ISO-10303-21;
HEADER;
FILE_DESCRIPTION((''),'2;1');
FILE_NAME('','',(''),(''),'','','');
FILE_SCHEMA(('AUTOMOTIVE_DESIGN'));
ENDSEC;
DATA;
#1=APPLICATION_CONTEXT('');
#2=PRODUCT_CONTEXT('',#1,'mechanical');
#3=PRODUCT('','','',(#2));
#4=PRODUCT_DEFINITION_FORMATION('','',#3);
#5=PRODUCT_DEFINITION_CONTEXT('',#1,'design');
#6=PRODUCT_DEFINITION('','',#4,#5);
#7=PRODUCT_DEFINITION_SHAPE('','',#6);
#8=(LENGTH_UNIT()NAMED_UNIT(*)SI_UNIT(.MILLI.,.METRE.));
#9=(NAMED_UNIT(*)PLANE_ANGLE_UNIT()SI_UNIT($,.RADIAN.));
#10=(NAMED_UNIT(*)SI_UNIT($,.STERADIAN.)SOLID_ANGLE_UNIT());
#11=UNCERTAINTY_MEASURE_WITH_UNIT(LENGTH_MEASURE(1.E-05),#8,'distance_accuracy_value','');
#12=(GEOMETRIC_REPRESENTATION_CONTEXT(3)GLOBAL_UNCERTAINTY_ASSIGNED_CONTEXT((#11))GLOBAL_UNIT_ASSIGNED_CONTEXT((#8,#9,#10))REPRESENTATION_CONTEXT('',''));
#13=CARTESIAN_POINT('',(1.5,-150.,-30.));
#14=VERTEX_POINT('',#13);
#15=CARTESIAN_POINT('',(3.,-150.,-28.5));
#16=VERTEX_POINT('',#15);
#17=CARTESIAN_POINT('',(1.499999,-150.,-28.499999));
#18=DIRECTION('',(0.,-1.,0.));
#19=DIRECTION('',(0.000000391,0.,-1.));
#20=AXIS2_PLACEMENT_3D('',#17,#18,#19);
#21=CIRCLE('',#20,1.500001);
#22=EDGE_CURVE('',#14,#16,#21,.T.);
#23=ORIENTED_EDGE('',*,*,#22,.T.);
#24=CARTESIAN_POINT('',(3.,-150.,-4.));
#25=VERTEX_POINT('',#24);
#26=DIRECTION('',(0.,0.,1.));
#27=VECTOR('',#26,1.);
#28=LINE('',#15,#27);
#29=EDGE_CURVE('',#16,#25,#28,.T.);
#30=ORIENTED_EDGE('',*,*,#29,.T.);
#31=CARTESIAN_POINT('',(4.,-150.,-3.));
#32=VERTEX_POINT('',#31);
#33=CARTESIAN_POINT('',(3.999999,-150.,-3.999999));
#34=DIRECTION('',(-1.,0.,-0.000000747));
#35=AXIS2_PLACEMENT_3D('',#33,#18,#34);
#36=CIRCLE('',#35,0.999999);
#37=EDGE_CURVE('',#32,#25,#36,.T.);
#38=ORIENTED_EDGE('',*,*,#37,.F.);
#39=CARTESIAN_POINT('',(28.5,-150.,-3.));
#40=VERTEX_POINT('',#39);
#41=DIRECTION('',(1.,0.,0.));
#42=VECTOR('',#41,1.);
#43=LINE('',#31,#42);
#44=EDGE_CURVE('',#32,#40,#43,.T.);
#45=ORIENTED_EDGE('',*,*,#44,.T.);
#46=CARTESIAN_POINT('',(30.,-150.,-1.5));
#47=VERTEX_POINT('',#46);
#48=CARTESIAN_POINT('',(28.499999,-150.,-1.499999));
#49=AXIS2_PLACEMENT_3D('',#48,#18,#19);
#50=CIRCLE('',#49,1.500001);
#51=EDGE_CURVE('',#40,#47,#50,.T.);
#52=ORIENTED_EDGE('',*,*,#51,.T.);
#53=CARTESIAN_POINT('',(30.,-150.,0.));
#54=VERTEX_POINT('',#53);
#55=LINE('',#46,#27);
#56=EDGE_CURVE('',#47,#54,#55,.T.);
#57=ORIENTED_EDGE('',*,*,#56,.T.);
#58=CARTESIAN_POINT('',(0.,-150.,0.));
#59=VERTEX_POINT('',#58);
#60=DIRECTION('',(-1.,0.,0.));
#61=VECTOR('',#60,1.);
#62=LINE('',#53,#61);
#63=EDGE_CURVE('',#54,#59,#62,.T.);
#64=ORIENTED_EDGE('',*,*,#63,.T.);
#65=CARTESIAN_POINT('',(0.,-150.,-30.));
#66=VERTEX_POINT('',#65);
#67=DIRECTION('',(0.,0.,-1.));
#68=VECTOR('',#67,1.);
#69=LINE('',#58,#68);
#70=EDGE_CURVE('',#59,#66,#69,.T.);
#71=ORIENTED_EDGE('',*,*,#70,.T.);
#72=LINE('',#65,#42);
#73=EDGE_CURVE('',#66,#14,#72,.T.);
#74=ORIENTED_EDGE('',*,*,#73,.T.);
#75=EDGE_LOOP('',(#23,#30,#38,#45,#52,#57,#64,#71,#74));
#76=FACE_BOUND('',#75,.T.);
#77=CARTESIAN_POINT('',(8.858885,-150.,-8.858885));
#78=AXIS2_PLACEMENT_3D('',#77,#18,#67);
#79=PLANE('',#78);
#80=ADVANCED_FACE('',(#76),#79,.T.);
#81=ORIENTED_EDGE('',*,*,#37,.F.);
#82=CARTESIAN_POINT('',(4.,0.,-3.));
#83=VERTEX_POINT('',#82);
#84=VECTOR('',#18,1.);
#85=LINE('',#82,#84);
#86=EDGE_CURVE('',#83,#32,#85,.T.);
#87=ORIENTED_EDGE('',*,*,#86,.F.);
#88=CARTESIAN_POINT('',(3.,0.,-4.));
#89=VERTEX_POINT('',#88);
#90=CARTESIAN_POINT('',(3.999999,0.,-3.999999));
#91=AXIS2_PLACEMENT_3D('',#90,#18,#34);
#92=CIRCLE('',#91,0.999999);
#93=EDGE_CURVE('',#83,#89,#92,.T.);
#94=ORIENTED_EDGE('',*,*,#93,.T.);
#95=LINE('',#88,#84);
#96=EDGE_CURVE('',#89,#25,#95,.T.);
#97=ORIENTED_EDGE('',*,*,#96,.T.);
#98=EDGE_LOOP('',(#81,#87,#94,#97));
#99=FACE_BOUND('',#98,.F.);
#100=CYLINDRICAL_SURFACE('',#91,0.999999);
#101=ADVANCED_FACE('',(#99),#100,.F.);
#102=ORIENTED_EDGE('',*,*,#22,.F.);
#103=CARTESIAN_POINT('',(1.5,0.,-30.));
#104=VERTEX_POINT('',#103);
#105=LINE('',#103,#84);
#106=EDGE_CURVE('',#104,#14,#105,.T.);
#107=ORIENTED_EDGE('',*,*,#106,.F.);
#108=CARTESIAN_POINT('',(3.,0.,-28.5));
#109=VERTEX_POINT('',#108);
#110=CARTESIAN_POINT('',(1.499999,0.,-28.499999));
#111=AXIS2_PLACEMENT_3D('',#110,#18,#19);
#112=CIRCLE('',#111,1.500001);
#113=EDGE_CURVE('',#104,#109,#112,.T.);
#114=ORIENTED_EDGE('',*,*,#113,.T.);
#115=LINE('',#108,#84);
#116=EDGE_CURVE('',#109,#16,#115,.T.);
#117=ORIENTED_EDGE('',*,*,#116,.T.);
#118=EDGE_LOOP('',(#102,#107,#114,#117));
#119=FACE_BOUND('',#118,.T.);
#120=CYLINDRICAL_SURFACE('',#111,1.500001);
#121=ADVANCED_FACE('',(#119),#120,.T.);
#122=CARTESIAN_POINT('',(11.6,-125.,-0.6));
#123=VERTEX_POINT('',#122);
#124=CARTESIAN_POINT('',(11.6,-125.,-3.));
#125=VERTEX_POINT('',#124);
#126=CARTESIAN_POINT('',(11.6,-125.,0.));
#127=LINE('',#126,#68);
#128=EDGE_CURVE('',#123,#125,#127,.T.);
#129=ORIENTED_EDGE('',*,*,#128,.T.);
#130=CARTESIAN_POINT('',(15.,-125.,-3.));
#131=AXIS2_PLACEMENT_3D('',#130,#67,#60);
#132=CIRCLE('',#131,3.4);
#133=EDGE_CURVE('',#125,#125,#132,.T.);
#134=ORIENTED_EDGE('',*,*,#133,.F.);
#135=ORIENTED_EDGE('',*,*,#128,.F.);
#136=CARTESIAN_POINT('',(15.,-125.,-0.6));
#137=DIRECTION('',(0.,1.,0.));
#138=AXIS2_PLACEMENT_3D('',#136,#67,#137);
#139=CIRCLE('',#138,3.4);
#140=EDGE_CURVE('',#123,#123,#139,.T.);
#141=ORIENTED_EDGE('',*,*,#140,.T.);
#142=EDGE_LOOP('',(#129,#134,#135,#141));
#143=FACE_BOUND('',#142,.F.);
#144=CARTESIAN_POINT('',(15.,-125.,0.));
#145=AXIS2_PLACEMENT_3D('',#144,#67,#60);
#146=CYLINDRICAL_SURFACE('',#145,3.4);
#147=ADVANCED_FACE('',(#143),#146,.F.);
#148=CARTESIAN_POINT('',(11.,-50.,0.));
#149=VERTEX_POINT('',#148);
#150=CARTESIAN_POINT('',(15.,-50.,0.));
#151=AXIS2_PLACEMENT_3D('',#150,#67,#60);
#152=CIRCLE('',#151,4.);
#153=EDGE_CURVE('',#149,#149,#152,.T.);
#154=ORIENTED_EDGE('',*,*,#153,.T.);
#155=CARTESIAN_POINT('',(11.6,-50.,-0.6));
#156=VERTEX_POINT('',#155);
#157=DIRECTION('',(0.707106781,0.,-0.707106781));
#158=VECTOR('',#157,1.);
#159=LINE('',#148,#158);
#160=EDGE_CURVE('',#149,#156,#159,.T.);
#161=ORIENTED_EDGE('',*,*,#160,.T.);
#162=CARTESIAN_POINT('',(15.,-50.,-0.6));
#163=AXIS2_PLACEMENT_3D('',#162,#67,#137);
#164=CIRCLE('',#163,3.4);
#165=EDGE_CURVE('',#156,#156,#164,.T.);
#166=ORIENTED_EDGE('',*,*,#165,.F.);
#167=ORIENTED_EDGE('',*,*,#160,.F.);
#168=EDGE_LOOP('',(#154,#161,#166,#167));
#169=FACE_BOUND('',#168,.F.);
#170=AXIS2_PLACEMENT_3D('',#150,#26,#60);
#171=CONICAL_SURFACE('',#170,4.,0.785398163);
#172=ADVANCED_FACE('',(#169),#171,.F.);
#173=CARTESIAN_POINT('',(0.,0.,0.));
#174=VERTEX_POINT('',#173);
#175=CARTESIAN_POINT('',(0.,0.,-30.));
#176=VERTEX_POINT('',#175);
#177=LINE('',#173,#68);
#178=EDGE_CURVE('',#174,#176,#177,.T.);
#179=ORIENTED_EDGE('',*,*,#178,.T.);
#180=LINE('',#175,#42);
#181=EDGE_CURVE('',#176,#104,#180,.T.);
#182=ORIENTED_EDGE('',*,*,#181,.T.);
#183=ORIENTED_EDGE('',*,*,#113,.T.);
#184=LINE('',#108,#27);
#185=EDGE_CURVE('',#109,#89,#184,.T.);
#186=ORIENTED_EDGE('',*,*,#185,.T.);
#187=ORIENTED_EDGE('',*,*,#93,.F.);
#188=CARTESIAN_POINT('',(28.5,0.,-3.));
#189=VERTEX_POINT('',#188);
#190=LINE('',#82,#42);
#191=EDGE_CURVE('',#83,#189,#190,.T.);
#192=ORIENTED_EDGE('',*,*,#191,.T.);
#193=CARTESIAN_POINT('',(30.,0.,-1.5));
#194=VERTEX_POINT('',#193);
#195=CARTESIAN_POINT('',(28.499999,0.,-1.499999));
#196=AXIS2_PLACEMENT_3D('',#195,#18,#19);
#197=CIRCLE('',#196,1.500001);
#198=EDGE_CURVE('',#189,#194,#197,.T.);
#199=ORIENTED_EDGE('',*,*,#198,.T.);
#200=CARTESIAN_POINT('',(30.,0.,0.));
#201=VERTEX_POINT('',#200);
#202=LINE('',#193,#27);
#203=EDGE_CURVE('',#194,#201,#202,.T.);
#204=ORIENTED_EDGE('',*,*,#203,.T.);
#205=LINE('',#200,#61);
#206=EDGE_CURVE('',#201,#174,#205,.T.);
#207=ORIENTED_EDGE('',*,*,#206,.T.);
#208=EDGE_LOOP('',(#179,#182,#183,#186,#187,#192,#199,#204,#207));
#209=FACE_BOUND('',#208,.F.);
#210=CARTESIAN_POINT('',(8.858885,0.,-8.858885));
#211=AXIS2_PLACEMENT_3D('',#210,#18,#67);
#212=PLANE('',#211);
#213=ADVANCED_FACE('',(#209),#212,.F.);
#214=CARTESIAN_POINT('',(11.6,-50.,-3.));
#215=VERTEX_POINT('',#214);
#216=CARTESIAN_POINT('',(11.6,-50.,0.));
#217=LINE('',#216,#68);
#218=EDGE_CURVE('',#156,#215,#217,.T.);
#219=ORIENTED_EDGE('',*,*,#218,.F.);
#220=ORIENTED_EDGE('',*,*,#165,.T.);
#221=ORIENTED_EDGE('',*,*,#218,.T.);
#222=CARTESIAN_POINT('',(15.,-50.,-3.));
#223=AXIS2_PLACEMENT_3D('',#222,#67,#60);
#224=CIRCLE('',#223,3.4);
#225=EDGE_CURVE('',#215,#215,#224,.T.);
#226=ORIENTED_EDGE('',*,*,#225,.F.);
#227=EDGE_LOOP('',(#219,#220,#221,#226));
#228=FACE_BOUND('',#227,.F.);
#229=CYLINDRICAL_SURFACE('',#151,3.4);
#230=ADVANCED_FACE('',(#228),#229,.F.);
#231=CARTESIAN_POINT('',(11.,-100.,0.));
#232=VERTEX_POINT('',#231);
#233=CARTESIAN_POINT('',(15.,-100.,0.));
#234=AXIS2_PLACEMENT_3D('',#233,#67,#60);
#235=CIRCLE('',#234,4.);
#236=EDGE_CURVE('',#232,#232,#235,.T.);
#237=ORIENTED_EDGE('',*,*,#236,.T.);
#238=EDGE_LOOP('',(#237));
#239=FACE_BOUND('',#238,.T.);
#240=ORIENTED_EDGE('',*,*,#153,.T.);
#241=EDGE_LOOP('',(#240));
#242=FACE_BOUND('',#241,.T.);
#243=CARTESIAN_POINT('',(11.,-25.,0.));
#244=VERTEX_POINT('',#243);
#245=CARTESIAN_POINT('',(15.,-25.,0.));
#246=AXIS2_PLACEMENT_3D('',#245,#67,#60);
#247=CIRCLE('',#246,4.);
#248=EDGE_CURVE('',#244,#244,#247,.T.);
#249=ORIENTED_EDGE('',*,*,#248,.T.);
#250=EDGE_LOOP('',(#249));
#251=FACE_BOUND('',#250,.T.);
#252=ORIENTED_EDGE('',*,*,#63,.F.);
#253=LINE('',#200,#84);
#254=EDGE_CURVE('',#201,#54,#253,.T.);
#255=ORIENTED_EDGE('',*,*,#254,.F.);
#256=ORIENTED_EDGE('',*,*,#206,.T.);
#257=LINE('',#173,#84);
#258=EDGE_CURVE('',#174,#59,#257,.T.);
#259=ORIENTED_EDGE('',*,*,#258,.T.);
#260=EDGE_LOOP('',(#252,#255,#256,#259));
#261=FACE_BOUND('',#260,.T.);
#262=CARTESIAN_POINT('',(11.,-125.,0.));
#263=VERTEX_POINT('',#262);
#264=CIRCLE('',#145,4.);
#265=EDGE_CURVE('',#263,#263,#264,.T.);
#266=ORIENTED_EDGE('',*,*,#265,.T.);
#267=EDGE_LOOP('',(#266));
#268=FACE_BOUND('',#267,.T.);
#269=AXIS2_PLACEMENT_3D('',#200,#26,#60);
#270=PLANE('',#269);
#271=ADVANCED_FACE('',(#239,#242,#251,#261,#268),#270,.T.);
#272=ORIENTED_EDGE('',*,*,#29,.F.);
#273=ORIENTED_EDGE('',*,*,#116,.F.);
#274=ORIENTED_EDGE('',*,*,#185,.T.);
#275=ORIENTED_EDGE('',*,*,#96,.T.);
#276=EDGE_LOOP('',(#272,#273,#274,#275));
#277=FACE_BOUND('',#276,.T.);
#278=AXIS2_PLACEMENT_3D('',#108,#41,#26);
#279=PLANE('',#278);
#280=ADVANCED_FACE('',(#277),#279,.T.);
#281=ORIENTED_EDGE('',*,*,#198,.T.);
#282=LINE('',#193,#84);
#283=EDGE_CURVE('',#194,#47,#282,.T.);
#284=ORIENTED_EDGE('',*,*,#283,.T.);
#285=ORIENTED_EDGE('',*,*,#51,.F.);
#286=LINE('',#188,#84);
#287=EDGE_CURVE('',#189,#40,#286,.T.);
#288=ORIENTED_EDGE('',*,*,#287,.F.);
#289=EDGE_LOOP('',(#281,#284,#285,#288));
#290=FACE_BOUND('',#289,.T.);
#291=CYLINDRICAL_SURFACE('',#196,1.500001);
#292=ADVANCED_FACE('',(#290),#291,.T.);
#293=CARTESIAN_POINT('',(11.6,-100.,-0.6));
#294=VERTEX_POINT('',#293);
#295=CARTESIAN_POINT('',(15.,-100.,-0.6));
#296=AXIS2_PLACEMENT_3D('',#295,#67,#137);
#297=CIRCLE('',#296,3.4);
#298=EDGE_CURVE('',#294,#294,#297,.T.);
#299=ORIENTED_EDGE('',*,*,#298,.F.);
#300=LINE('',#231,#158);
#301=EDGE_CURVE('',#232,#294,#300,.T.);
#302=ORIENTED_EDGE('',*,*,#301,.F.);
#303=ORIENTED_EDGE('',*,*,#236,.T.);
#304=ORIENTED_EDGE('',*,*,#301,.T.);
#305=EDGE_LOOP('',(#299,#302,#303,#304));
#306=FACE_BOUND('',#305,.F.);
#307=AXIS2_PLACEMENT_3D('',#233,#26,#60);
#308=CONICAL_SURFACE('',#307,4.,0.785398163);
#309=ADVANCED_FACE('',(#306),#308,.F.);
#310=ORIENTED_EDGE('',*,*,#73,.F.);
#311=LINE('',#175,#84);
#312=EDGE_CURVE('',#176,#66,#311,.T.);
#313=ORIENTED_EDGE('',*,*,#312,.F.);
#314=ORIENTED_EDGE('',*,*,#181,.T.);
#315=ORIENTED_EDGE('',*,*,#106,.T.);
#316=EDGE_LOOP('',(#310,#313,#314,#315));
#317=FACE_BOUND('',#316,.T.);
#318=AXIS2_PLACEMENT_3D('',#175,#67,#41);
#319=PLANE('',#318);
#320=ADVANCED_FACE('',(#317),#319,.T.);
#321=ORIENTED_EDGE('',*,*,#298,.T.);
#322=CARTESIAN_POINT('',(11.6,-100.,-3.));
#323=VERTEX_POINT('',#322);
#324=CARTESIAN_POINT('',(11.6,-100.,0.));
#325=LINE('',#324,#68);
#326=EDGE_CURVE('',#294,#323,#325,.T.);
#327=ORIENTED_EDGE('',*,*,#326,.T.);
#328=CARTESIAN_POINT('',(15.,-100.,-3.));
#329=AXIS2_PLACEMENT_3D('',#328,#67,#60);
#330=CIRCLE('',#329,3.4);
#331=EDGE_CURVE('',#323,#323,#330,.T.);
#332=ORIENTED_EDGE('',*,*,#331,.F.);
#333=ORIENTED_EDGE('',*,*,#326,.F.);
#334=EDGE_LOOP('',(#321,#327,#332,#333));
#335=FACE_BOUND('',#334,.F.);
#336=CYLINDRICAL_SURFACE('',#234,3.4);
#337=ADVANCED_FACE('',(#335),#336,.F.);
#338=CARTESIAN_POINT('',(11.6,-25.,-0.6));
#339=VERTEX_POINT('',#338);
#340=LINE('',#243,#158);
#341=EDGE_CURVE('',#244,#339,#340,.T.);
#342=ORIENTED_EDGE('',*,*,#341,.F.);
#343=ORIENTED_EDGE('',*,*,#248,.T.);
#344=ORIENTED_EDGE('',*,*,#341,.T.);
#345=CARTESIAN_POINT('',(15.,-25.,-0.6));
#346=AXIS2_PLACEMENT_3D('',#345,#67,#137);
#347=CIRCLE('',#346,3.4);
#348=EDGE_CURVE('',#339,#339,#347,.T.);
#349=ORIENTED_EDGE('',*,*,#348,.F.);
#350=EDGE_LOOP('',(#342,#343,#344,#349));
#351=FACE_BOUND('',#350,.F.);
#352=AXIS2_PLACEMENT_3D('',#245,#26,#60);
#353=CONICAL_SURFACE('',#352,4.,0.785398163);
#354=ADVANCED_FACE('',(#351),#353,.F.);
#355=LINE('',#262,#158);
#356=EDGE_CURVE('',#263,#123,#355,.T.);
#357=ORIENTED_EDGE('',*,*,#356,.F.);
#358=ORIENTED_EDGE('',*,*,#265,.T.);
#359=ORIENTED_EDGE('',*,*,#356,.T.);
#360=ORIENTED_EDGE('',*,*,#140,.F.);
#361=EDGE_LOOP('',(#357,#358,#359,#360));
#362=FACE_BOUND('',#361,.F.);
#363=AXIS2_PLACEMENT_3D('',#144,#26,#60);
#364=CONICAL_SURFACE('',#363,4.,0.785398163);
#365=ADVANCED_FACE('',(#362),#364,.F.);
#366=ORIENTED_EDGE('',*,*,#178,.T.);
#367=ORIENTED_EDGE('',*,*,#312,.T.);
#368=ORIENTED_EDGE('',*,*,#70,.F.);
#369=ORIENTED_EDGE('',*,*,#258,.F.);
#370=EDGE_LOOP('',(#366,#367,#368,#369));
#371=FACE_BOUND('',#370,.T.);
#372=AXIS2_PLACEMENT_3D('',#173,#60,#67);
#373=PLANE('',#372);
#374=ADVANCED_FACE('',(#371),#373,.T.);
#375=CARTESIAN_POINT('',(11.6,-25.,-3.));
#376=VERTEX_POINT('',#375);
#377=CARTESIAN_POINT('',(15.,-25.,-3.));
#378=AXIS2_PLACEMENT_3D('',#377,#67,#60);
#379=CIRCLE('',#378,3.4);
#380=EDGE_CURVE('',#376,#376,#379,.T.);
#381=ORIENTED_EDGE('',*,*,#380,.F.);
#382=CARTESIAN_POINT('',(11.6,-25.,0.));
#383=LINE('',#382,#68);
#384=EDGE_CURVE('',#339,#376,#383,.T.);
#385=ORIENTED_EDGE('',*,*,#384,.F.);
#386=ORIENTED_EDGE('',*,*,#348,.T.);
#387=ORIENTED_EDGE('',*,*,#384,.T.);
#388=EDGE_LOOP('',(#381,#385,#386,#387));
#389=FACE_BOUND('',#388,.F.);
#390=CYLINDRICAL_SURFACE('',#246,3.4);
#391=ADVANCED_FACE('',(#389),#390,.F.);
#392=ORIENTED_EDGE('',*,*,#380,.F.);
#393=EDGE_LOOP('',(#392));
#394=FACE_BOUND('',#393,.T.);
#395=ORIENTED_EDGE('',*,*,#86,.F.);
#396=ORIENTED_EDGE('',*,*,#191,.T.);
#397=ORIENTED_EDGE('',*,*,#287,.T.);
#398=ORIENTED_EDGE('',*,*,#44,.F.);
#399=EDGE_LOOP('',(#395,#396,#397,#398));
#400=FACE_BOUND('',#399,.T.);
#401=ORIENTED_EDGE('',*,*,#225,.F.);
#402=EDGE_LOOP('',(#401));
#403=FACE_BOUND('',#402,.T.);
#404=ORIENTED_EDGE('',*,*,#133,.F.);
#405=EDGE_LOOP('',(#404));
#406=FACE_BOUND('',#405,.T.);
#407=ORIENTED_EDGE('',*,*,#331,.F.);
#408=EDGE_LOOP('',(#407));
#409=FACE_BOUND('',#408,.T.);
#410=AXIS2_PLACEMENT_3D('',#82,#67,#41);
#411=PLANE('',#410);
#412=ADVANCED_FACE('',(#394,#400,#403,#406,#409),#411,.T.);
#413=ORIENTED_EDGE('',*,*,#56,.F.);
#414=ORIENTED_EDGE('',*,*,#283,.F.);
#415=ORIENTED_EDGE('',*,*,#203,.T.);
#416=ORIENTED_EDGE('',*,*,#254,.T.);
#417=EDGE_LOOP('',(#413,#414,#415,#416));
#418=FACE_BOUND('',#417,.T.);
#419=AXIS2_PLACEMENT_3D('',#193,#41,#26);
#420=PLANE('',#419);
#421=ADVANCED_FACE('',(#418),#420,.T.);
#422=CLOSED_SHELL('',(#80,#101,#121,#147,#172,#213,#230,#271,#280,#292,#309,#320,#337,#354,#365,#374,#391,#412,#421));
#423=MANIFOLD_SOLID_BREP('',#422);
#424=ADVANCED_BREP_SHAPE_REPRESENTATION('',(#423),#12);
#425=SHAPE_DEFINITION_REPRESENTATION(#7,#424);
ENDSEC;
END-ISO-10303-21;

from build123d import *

# Parameters (mm, degrees)
F4_D           = 6.8
F4_DEPTH       = 5
F4_CSINK_D     = 8
F4_CSINK_ANGLE = 90


with BuildPart() as f2:
    # F2: sweep along a path in F1
    with BuildLine(Plane.YZ) as f2_path:
        Line((0, 0), (-150, 0))
    # F0 (on Front) → F2 (sweep)
    with BuildSketch(Plane.XZ):
        with BuildLine():
            Line((30, 0), (0, 0))
            Line((0, 0), (0, -30))
            Line((0, -30), (1.5, -30))
            ThreePointArc((1.5, -30), (2.56066, -29.56066), (3, -28.5))
            Line((3, -28.5), (3, -4))
            ThreePointArc((3, -4), (3.292893, -3.292893), (4, -3))
            Line((4, -3), (28.5, -3))
            ThreePointArc((28.5, -3), (29.56066, -2.56066), (30, -1.5))
            Line((30, -1.5), (30, 0))
        make_face()
    sweep(path=f2_path.line)

    # F4
    with Locations(Plane.XY):
        with Locations((15, -125), (15, -25), (15, -100), (15, -50)):
            CounterSinkHole(F4_D / 2, F4_CSINK_D / 2, depth=F4_DEPTH, counter_sink_angle=F4_CSINK_ANGLE)


solid = f2.part
